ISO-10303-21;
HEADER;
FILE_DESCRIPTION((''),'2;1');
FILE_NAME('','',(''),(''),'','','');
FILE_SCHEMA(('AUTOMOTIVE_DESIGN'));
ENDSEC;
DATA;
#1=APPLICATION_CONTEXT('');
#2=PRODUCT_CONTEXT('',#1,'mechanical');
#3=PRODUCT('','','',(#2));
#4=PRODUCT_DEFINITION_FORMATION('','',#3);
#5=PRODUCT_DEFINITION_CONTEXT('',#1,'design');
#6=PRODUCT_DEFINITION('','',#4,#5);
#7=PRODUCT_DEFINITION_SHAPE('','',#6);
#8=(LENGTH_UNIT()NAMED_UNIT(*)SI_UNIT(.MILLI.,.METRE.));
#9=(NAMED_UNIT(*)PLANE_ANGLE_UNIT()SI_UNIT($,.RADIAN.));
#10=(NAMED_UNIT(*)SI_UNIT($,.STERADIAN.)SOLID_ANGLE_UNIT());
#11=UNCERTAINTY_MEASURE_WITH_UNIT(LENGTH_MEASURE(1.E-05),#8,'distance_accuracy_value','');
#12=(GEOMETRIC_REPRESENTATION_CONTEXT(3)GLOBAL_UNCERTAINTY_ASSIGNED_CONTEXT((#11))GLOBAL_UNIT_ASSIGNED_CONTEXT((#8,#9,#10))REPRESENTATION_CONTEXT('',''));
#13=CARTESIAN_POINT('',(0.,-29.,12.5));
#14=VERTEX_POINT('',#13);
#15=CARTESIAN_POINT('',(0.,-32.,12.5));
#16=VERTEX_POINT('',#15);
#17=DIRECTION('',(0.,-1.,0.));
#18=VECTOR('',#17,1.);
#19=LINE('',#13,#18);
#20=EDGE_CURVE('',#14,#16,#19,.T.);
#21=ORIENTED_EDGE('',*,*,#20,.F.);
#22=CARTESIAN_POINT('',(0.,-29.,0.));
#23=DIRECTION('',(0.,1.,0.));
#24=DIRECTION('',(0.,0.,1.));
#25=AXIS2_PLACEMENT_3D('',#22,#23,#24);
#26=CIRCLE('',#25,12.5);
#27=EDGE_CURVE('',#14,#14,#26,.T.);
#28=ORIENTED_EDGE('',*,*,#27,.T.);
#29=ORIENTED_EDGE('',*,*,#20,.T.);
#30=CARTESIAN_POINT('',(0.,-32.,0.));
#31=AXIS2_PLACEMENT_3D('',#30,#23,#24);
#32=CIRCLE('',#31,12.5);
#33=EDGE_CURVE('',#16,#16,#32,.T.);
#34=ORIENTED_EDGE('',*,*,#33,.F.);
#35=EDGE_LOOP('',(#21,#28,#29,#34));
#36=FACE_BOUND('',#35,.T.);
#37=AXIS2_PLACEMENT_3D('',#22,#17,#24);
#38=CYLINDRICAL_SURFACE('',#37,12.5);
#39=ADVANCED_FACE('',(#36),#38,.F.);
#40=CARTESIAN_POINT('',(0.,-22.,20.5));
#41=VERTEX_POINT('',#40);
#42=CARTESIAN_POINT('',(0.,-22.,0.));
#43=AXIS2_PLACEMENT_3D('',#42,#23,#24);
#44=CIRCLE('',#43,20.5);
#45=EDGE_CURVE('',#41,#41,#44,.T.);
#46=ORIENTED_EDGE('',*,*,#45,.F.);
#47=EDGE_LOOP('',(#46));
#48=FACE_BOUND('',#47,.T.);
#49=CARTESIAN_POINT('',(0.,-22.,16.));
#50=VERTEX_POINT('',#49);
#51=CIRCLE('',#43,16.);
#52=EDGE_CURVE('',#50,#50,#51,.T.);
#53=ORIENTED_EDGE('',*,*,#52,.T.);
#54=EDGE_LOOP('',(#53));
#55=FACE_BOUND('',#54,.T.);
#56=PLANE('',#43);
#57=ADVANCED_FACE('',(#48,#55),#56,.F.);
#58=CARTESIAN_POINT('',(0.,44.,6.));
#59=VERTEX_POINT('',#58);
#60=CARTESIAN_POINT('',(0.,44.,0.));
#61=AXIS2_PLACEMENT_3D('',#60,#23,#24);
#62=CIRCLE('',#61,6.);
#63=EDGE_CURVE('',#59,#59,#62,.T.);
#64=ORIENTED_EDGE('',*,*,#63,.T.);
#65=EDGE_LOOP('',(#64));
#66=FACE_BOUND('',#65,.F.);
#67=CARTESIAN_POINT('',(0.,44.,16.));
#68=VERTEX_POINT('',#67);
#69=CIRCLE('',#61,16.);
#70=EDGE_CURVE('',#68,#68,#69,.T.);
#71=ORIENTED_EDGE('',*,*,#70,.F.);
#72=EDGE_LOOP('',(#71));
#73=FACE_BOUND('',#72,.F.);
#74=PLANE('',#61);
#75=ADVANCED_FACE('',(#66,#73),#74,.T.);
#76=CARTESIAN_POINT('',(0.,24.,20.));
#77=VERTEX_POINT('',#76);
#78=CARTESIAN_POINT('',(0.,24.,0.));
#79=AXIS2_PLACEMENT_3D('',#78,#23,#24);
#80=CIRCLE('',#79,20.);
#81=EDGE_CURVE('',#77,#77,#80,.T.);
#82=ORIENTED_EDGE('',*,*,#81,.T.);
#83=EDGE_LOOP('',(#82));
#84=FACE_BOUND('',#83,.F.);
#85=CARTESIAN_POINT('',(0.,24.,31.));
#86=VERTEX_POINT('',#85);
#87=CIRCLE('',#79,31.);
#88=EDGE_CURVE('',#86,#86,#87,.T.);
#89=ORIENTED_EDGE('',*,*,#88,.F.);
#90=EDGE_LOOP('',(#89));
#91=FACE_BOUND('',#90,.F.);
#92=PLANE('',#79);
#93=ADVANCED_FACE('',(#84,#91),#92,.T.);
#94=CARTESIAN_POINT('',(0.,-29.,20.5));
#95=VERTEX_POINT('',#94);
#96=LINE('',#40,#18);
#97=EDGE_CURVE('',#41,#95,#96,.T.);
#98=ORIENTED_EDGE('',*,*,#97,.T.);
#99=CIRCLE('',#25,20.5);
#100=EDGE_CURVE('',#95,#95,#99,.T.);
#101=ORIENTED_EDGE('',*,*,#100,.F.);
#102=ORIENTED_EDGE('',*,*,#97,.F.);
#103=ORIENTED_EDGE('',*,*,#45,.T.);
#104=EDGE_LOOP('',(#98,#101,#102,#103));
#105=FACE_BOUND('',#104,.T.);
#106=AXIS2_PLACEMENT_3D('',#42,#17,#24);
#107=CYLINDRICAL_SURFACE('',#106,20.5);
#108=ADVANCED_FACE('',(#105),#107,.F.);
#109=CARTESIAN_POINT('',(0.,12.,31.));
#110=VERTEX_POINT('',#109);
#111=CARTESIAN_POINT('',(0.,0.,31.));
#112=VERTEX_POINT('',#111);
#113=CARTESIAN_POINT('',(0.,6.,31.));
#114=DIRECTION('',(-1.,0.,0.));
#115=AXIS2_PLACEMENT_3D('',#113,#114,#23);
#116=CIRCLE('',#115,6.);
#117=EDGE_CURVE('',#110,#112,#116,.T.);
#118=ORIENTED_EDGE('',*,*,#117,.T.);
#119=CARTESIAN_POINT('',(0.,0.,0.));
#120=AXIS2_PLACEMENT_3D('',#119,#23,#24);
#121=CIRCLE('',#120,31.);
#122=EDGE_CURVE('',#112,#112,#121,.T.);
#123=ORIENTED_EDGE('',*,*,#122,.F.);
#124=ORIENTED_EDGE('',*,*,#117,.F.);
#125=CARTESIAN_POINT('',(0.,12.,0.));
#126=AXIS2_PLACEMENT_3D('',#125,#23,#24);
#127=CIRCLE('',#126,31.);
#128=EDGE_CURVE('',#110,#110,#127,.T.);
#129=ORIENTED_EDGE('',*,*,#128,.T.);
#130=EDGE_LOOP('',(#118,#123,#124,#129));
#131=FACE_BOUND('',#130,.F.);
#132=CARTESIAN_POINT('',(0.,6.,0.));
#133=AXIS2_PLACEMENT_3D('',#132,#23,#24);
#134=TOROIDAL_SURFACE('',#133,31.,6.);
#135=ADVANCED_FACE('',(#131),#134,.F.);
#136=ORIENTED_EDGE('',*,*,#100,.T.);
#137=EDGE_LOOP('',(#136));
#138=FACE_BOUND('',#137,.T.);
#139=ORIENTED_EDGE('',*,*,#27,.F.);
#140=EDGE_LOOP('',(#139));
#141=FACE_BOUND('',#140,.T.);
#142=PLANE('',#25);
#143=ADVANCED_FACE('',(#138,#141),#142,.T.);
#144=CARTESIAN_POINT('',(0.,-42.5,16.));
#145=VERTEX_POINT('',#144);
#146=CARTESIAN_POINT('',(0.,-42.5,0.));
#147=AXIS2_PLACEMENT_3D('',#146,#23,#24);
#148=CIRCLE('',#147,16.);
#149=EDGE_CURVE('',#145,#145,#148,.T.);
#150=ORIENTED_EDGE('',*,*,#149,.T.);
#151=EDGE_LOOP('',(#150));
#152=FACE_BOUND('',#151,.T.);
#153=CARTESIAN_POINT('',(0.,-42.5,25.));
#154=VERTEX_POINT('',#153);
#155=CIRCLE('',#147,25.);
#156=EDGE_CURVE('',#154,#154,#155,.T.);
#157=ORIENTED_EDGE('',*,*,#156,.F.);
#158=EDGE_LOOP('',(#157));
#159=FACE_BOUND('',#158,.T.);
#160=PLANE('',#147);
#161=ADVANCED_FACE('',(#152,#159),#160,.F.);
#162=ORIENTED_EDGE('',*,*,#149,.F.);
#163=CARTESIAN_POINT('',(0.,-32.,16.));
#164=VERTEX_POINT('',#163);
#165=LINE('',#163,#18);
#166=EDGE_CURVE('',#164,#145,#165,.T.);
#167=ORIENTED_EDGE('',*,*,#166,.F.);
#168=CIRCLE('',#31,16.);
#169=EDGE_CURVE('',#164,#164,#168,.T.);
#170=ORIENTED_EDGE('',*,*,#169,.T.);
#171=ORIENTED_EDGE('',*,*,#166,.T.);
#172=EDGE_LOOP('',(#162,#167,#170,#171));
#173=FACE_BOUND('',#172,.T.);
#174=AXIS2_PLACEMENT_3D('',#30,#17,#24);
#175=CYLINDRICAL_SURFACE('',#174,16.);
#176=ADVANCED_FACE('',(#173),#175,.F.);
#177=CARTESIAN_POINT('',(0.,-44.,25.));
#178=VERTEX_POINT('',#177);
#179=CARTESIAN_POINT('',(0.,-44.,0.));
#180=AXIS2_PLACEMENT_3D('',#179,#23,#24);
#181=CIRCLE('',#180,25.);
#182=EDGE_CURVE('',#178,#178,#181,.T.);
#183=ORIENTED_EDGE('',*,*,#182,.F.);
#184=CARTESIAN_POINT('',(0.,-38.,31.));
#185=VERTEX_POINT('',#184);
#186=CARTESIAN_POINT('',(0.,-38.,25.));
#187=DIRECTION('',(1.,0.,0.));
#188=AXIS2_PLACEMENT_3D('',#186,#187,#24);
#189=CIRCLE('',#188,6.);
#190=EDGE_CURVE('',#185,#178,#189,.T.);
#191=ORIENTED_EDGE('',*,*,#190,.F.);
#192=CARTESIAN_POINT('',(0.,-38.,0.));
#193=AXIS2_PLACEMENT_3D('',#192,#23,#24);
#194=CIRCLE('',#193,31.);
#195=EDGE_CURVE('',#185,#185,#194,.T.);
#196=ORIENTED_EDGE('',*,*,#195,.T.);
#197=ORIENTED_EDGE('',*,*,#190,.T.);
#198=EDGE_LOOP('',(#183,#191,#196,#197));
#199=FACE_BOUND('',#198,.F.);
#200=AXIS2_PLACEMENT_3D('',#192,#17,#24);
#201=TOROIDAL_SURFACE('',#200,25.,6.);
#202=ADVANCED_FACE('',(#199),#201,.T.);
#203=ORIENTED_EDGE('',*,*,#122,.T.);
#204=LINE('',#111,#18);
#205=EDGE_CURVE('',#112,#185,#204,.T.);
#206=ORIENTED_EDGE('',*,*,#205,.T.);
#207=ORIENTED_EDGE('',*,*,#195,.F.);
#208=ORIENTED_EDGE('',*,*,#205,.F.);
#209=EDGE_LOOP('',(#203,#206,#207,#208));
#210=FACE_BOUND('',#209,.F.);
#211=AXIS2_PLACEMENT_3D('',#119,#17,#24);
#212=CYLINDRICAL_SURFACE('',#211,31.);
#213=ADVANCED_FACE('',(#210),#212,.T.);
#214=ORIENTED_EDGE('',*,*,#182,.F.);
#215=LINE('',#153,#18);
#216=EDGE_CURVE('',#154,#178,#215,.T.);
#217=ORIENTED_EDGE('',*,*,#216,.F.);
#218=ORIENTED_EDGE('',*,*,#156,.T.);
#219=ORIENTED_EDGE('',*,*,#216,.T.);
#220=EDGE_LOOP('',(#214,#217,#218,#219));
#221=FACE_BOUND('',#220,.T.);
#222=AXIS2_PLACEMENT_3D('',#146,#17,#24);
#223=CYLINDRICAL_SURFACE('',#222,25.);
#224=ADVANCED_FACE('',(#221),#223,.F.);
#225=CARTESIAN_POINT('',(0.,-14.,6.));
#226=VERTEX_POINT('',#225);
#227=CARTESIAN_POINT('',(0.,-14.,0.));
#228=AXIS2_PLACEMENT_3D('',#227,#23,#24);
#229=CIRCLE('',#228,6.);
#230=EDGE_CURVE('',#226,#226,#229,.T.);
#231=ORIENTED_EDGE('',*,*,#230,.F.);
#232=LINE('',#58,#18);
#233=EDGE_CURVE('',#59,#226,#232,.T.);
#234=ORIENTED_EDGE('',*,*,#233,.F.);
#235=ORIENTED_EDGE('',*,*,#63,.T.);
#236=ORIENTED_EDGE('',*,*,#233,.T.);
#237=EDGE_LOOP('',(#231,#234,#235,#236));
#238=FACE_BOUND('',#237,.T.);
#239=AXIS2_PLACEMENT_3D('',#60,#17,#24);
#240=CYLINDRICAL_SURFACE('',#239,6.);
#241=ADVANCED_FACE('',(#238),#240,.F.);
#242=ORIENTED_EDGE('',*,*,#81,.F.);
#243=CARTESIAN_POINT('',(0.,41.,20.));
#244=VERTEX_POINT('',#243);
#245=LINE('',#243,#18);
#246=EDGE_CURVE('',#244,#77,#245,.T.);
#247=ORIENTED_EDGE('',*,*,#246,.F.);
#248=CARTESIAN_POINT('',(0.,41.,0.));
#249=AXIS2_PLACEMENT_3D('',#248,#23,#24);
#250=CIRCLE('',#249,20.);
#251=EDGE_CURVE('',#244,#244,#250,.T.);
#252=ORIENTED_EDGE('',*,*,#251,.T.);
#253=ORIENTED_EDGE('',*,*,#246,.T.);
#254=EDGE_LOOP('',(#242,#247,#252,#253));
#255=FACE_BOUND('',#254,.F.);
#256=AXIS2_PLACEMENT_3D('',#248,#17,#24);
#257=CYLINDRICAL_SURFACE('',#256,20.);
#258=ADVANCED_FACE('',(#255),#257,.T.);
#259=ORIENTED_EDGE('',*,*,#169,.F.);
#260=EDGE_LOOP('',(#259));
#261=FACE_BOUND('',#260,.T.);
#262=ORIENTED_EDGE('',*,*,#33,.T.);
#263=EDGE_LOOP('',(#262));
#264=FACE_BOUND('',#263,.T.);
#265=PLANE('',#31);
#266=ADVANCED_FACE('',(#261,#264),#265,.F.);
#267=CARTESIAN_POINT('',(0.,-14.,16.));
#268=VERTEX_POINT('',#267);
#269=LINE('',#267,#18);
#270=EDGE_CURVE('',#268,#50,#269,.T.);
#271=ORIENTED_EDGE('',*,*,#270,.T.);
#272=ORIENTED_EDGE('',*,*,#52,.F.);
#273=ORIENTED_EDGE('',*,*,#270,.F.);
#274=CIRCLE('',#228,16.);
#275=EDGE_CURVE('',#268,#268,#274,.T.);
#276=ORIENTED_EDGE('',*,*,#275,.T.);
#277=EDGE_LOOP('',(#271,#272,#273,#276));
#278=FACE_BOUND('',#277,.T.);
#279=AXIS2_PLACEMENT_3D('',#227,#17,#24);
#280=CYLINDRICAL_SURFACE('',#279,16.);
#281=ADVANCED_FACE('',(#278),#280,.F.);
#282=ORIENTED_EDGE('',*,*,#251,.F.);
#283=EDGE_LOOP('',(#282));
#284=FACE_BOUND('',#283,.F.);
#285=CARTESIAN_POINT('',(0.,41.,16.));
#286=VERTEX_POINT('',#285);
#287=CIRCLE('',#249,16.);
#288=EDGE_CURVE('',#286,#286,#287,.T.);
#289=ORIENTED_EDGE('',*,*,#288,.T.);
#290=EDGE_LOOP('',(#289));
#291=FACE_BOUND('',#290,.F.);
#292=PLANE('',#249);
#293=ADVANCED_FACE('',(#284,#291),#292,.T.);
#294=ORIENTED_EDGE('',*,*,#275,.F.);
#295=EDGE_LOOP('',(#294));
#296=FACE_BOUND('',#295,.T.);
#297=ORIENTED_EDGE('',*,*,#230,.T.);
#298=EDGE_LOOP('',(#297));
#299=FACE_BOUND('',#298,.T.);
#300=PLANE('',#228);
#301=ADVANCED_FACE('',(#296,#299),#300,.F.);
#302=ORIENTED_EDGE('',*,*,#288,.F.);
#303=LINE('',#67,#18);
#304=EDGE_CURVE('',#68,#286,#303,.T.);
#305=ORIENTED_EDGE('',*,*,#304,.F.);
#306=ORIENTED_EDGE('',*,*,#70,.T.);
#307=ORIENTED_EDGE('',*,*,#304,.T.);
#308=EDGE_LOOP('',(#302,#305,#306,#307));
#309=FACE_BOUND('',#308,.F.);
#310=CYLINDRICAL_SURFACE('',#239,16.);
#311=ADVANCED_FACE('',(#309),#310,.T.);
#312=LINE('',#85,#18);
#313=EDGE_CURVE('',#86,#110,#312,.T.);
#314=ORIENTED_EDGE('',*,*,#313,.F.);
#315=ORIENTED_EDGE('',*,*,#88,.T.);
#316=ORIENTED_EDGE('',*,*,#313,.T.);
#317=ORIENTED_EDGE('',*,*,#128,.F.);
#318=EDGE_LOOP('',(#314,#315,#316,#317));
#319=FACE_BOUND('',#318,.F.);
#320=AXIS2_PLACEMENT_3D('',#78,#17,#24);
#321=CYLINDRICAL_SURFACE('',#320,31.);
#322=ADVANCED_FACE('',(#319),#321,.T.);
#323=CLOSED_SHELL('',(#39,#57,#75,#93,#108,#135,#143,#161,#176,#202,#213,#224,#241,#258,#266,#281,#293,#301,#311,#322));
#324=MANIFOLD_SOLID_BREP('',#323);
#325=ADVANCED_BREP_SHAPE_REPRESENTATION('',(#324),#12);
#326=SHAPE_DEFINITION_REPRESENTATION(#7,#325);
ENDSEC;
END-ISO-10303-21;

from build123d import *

# Parameters (mm, degrees)
F2_R = 6


with BuildPart() as f1:
    # F0 (on Right) → F1 (revolve)
    with BuildSketch(Plane.YZ):
        with BuildLine():
            Line((0, 31), (-44, 31))
            Line((-44, 31), (-44, 0))
            Line((-44, 0), (24, 0))
            Line((24, 0), (24, 31))
            Line((24, 31), (12, 31))
            ThreePointArc((12, 31), (6, 25), (0, 31))
        make_face()
    revolve(axis=Axis((0, 4.568492, 0), (0, 1, 0)))

    # F2
    f2_edges = [f1.edges().sort_by_distance(p)[0] for p in [
        (0, -44, -31),
    ]]
    fillet(f2_edges, radius=F2_R)

    # F3 (on Right) → F4 (revolve)
    with BuildSketch(Plane.YZ):
        Polygon((41, 20), (24, 20), (24, 0), (44, 0), (44, 16), (41, 16), align=None)
    revolve(axis=Axis((0, 39.701345, 0), (0, 1, 0)))

    # F5 (on Right) → F6 (revolve, cut)
    with BuildSketch(Plane.YZ):
        Polygon((-42.5, 25), (-44, 25), (-44, 0), (44, 0), (44, 6), (-14, 6), (-14, 16), (-22, 16), (-22, 20.5), (-29, 20.5), (-29, 12.5), (-32, 12.5), (-32, 16), (-42.5, 16), align=None)
    revolve(axis=Axis((0, 2.262007, 0), (0, 1, 0)), mode=Mode.SUBTRACT)


solid = f1.part
